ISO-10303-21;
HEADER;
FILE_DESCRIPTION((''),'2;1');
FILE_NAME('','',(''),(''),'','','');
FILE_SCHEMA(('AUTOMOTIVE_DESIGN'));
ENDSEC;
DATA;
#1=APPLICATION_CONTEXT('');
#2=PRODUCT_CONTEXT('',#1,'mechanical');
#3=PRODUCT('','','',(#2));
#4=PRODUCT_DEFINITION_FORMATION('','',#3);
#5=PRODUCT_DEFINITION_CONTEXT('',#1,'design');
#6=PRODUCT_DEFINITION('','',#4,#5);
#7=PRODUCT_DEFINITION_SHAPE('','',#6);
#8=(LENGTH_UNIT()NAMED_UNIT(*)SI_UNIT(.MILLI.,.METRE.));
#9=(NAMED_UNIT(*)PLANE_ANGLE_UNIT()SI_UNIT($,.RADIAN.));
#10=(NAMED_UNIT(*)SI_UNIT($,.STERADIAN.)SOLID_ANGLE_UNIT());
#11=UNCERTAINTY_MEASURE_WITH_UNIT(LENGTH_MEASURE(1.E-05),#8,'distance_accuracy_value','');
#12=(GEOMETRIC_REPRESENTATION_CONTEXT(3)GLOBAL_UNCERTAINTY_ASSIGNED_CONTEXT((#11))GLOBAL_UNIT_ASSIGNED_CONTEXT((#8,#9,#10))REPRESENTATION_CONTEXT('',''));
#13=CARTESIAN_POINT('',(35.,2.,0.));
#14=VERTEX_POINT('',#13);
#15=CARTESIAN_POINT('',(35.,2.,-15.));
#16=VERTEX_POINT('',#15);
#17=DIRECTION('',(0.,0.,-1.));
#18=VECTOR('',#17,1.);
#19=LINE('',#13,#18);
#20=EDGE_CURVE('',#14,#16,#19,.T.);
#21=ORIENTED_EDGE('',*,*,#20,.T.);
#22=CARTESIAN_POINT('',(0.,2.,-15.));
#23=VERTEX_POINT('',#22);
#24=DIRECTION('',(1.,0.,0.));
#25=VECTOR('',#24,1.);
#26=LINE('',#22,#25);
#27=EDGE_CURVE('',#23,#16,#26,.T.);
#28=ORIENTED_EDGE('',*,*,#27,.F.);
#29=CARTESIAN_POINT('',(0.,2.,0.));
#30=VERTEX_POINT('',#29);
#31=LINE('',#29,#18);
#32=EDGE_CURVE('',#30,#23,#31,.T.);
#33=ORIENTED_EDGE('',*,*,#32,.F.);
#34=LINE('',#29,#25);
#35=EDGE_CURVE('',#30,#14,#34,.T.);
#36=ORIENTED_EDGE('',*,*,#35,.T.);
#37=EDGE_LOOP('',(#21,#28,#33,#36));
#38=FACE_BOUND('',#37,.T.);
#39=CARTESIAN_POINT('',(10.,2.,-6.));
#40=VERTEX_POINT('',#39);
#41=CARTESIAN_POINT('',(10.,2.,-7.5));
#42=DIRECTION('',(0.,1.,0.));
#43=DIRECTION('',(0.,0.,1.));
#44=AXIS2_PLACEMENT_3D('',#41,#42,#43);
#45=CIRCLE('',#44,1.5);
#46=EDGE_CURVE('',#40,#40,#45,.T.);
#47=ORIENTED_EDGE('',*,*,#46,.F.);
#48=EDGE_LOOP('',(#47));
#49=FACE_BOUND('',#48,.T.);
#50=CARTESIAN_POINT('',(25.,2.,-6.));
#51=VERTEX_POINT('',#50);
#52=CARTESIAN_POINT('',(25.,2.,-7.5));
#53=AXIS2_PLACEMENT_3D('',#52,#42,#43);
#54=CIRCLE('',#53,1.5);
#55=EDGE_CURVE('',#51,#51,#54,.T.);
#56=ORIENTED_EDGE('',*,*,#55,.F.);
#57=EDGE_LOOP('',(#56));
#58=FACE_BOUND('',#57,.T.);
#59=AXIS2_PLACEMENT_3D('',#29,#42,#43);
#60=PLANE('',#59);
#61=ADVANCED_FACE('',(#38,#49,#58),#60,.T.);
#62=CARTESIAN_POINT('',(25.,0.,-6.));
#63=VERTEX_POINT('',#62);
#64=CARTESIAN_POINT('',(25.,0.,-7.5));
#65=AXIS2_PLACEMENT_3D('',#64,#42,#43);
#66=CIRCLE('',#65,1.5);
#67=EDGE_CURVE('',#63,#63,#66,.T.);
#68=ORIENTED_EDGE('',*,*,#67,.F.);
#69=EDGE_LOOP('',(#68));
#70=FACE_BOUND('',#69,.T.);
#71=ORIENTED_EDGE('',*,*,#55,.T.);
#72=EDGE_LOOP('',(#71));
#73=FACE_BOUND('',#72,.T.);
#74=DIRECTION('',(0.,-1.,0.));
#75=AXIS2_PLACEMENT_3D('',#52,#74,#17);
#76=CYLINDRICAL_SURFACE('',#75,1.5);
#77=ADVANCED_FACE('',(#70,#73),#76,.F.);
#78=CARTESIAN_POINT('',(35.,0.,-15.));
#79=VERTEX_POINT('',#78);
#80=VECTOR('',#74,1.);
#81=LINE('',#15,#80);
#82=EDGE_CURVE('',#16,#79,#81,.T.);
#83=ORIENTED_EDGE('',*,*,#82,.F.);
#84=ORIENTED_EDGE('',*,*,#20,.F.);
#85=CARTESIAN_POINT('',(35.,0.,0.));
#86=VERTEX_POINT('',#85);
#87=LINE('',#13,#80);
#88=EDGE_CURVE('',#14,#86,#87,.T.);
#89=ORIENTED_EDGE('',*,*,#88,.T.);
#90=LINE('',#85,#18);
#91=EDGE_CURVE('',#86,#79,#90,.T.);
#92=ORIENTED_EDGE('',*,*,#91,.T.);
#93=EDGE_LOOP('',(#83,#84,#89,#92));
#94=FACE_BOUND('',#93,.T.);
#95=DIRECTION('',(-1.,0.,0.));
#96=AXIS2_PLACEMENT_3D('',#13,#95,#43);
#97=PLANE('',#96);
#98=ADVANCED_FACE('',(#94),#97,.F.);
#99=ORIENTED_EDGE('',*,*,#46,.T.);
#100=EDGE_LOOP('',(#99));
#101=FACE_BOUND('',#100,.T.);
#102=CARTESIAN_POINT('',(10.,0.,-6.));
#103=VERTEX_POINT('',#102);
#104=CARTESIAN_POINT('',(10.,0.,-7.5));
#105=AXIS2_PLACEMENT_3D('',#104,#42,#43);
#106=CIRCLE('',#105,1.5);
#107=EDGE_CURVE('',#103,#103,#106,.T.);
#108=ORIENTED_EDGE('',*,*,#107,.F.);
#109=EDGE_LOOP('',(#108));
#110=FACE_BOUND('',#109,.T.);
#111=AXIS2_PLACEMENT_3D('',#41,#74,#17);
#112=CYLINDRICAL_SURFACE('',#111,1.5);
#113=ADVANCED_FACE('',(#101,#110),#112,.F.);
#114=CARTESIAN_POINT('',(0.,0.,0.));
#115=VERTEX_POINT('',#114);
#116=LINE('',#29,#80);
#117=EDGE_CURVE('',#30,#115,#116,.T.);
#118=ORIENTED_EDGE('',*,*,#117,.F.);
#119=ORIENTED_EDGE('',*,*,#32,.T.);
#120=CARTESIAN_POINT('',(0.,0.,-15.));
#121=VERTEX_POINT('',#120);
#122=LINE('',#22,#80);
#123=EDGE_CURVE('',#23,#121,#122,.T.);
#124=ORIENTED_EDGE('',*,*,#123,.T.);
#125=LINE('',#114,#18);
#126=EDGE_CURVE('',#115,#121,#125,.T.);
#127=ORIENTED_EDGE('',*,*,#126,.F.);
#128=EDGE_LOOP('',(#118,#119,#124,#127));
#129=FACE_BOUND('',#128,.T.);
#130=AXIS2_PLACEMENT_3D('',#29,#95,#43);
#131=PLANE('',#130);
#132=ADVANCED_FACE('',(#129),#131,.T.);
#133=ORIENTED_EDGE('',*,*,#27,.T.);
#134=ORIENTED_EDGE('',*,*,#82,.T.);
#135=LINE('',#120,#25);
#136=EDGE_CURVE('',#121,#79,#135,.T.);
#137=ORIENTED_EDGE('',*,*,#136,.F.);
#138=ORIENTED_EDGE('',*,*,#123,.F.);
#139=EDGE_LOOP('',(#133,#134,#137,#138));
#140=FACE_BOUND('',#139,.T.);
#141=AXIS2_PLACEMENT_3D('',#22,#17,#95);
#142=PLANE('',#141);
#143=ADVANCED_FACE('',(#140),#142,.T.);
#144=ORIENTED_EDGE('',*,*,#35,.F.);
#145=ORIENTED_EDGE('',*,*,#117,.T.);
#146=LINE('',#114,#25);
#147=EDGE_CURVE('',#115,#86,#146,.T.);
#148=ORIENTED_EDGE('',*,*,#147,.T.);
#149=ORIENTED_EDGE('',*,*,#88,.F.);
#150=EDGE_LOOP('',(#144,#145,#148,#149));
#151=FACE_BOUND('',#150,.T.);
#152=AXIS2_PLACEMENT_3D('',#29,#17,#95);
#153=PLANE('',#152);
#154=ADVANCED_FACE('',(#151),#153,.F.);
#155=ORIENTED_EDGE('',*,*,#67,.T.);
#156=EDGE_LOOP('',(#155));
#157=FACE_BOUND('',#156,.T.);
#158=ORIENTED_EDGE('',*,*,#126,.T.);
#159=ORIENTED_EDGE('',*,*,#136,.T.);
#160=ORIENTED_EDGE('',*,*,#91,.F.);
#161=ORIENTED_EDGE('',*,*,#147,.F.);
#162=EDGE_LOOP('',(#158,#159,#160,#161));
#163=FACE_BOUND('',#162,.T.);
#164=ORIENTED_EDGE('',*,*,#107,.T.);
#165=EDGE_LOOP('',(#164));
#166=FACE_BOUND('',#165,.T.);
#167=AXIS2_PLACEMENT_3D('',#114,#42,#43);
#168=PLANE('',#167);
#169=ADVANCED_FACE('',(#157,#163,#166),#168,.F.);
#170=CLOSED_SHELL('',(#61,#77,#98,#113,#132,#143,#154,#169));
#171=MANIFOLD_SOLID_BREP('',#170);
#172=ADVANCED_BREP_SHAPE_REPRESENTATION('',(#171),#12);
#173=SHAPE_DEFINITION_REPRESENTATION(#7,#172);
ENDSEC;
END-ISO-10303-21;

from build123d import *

# Parameters (mm, degrees)
BOSS_EXTRUDE1_DEPTH = 2


with BuildPart() as part:
    # Sketch1 → Boss-Extrude1 (new body)
    with BuildSketch(Plane(origin=(0, 0, 0), x_dir=(1, 0, 0), z_dir=(0, 1, 0))):
        with BuildLine():
            Line((35, 7.5), (26.5, 7.5))
            ThreePointArc((26.5, 7.5), (25, 6), (23.5, 7.5))
            Line((23.5, 7.5), (11.5, 7.5))
            ThreePointArc((11.5, 7.5), (10, 6), (8.5, 7.5))
            Line((8.5, 7.5), (0, 7.5))
            Line((0, 7.5), (0, 0))
            Line((0, 0), (35, 0))
            Line((35, 0), (35, 7.5))
        make_face()
        with BuildLine():
            ThreePointArc((23.5, 7.5), (25, 9), (26.5, 7.5))
            Line((26.5, 7.5), (35, 7.5))
            Line((35, 7.5), (35, 15))
            Line((35, 15), (0, 15))
            Line((0, 15), (0, 7.5))
            Line((0, 7.5), (8.5, 7.5))
            ThreePointArc((8.5, 7.5), (10, 9), (11.5, 7.5))
            Line((11.5, 7.5), (23.5, 7.5))
        make_face()
    extrude(amount=BOSS_EXTRUDE1_DEPTH)


solid = part.part
